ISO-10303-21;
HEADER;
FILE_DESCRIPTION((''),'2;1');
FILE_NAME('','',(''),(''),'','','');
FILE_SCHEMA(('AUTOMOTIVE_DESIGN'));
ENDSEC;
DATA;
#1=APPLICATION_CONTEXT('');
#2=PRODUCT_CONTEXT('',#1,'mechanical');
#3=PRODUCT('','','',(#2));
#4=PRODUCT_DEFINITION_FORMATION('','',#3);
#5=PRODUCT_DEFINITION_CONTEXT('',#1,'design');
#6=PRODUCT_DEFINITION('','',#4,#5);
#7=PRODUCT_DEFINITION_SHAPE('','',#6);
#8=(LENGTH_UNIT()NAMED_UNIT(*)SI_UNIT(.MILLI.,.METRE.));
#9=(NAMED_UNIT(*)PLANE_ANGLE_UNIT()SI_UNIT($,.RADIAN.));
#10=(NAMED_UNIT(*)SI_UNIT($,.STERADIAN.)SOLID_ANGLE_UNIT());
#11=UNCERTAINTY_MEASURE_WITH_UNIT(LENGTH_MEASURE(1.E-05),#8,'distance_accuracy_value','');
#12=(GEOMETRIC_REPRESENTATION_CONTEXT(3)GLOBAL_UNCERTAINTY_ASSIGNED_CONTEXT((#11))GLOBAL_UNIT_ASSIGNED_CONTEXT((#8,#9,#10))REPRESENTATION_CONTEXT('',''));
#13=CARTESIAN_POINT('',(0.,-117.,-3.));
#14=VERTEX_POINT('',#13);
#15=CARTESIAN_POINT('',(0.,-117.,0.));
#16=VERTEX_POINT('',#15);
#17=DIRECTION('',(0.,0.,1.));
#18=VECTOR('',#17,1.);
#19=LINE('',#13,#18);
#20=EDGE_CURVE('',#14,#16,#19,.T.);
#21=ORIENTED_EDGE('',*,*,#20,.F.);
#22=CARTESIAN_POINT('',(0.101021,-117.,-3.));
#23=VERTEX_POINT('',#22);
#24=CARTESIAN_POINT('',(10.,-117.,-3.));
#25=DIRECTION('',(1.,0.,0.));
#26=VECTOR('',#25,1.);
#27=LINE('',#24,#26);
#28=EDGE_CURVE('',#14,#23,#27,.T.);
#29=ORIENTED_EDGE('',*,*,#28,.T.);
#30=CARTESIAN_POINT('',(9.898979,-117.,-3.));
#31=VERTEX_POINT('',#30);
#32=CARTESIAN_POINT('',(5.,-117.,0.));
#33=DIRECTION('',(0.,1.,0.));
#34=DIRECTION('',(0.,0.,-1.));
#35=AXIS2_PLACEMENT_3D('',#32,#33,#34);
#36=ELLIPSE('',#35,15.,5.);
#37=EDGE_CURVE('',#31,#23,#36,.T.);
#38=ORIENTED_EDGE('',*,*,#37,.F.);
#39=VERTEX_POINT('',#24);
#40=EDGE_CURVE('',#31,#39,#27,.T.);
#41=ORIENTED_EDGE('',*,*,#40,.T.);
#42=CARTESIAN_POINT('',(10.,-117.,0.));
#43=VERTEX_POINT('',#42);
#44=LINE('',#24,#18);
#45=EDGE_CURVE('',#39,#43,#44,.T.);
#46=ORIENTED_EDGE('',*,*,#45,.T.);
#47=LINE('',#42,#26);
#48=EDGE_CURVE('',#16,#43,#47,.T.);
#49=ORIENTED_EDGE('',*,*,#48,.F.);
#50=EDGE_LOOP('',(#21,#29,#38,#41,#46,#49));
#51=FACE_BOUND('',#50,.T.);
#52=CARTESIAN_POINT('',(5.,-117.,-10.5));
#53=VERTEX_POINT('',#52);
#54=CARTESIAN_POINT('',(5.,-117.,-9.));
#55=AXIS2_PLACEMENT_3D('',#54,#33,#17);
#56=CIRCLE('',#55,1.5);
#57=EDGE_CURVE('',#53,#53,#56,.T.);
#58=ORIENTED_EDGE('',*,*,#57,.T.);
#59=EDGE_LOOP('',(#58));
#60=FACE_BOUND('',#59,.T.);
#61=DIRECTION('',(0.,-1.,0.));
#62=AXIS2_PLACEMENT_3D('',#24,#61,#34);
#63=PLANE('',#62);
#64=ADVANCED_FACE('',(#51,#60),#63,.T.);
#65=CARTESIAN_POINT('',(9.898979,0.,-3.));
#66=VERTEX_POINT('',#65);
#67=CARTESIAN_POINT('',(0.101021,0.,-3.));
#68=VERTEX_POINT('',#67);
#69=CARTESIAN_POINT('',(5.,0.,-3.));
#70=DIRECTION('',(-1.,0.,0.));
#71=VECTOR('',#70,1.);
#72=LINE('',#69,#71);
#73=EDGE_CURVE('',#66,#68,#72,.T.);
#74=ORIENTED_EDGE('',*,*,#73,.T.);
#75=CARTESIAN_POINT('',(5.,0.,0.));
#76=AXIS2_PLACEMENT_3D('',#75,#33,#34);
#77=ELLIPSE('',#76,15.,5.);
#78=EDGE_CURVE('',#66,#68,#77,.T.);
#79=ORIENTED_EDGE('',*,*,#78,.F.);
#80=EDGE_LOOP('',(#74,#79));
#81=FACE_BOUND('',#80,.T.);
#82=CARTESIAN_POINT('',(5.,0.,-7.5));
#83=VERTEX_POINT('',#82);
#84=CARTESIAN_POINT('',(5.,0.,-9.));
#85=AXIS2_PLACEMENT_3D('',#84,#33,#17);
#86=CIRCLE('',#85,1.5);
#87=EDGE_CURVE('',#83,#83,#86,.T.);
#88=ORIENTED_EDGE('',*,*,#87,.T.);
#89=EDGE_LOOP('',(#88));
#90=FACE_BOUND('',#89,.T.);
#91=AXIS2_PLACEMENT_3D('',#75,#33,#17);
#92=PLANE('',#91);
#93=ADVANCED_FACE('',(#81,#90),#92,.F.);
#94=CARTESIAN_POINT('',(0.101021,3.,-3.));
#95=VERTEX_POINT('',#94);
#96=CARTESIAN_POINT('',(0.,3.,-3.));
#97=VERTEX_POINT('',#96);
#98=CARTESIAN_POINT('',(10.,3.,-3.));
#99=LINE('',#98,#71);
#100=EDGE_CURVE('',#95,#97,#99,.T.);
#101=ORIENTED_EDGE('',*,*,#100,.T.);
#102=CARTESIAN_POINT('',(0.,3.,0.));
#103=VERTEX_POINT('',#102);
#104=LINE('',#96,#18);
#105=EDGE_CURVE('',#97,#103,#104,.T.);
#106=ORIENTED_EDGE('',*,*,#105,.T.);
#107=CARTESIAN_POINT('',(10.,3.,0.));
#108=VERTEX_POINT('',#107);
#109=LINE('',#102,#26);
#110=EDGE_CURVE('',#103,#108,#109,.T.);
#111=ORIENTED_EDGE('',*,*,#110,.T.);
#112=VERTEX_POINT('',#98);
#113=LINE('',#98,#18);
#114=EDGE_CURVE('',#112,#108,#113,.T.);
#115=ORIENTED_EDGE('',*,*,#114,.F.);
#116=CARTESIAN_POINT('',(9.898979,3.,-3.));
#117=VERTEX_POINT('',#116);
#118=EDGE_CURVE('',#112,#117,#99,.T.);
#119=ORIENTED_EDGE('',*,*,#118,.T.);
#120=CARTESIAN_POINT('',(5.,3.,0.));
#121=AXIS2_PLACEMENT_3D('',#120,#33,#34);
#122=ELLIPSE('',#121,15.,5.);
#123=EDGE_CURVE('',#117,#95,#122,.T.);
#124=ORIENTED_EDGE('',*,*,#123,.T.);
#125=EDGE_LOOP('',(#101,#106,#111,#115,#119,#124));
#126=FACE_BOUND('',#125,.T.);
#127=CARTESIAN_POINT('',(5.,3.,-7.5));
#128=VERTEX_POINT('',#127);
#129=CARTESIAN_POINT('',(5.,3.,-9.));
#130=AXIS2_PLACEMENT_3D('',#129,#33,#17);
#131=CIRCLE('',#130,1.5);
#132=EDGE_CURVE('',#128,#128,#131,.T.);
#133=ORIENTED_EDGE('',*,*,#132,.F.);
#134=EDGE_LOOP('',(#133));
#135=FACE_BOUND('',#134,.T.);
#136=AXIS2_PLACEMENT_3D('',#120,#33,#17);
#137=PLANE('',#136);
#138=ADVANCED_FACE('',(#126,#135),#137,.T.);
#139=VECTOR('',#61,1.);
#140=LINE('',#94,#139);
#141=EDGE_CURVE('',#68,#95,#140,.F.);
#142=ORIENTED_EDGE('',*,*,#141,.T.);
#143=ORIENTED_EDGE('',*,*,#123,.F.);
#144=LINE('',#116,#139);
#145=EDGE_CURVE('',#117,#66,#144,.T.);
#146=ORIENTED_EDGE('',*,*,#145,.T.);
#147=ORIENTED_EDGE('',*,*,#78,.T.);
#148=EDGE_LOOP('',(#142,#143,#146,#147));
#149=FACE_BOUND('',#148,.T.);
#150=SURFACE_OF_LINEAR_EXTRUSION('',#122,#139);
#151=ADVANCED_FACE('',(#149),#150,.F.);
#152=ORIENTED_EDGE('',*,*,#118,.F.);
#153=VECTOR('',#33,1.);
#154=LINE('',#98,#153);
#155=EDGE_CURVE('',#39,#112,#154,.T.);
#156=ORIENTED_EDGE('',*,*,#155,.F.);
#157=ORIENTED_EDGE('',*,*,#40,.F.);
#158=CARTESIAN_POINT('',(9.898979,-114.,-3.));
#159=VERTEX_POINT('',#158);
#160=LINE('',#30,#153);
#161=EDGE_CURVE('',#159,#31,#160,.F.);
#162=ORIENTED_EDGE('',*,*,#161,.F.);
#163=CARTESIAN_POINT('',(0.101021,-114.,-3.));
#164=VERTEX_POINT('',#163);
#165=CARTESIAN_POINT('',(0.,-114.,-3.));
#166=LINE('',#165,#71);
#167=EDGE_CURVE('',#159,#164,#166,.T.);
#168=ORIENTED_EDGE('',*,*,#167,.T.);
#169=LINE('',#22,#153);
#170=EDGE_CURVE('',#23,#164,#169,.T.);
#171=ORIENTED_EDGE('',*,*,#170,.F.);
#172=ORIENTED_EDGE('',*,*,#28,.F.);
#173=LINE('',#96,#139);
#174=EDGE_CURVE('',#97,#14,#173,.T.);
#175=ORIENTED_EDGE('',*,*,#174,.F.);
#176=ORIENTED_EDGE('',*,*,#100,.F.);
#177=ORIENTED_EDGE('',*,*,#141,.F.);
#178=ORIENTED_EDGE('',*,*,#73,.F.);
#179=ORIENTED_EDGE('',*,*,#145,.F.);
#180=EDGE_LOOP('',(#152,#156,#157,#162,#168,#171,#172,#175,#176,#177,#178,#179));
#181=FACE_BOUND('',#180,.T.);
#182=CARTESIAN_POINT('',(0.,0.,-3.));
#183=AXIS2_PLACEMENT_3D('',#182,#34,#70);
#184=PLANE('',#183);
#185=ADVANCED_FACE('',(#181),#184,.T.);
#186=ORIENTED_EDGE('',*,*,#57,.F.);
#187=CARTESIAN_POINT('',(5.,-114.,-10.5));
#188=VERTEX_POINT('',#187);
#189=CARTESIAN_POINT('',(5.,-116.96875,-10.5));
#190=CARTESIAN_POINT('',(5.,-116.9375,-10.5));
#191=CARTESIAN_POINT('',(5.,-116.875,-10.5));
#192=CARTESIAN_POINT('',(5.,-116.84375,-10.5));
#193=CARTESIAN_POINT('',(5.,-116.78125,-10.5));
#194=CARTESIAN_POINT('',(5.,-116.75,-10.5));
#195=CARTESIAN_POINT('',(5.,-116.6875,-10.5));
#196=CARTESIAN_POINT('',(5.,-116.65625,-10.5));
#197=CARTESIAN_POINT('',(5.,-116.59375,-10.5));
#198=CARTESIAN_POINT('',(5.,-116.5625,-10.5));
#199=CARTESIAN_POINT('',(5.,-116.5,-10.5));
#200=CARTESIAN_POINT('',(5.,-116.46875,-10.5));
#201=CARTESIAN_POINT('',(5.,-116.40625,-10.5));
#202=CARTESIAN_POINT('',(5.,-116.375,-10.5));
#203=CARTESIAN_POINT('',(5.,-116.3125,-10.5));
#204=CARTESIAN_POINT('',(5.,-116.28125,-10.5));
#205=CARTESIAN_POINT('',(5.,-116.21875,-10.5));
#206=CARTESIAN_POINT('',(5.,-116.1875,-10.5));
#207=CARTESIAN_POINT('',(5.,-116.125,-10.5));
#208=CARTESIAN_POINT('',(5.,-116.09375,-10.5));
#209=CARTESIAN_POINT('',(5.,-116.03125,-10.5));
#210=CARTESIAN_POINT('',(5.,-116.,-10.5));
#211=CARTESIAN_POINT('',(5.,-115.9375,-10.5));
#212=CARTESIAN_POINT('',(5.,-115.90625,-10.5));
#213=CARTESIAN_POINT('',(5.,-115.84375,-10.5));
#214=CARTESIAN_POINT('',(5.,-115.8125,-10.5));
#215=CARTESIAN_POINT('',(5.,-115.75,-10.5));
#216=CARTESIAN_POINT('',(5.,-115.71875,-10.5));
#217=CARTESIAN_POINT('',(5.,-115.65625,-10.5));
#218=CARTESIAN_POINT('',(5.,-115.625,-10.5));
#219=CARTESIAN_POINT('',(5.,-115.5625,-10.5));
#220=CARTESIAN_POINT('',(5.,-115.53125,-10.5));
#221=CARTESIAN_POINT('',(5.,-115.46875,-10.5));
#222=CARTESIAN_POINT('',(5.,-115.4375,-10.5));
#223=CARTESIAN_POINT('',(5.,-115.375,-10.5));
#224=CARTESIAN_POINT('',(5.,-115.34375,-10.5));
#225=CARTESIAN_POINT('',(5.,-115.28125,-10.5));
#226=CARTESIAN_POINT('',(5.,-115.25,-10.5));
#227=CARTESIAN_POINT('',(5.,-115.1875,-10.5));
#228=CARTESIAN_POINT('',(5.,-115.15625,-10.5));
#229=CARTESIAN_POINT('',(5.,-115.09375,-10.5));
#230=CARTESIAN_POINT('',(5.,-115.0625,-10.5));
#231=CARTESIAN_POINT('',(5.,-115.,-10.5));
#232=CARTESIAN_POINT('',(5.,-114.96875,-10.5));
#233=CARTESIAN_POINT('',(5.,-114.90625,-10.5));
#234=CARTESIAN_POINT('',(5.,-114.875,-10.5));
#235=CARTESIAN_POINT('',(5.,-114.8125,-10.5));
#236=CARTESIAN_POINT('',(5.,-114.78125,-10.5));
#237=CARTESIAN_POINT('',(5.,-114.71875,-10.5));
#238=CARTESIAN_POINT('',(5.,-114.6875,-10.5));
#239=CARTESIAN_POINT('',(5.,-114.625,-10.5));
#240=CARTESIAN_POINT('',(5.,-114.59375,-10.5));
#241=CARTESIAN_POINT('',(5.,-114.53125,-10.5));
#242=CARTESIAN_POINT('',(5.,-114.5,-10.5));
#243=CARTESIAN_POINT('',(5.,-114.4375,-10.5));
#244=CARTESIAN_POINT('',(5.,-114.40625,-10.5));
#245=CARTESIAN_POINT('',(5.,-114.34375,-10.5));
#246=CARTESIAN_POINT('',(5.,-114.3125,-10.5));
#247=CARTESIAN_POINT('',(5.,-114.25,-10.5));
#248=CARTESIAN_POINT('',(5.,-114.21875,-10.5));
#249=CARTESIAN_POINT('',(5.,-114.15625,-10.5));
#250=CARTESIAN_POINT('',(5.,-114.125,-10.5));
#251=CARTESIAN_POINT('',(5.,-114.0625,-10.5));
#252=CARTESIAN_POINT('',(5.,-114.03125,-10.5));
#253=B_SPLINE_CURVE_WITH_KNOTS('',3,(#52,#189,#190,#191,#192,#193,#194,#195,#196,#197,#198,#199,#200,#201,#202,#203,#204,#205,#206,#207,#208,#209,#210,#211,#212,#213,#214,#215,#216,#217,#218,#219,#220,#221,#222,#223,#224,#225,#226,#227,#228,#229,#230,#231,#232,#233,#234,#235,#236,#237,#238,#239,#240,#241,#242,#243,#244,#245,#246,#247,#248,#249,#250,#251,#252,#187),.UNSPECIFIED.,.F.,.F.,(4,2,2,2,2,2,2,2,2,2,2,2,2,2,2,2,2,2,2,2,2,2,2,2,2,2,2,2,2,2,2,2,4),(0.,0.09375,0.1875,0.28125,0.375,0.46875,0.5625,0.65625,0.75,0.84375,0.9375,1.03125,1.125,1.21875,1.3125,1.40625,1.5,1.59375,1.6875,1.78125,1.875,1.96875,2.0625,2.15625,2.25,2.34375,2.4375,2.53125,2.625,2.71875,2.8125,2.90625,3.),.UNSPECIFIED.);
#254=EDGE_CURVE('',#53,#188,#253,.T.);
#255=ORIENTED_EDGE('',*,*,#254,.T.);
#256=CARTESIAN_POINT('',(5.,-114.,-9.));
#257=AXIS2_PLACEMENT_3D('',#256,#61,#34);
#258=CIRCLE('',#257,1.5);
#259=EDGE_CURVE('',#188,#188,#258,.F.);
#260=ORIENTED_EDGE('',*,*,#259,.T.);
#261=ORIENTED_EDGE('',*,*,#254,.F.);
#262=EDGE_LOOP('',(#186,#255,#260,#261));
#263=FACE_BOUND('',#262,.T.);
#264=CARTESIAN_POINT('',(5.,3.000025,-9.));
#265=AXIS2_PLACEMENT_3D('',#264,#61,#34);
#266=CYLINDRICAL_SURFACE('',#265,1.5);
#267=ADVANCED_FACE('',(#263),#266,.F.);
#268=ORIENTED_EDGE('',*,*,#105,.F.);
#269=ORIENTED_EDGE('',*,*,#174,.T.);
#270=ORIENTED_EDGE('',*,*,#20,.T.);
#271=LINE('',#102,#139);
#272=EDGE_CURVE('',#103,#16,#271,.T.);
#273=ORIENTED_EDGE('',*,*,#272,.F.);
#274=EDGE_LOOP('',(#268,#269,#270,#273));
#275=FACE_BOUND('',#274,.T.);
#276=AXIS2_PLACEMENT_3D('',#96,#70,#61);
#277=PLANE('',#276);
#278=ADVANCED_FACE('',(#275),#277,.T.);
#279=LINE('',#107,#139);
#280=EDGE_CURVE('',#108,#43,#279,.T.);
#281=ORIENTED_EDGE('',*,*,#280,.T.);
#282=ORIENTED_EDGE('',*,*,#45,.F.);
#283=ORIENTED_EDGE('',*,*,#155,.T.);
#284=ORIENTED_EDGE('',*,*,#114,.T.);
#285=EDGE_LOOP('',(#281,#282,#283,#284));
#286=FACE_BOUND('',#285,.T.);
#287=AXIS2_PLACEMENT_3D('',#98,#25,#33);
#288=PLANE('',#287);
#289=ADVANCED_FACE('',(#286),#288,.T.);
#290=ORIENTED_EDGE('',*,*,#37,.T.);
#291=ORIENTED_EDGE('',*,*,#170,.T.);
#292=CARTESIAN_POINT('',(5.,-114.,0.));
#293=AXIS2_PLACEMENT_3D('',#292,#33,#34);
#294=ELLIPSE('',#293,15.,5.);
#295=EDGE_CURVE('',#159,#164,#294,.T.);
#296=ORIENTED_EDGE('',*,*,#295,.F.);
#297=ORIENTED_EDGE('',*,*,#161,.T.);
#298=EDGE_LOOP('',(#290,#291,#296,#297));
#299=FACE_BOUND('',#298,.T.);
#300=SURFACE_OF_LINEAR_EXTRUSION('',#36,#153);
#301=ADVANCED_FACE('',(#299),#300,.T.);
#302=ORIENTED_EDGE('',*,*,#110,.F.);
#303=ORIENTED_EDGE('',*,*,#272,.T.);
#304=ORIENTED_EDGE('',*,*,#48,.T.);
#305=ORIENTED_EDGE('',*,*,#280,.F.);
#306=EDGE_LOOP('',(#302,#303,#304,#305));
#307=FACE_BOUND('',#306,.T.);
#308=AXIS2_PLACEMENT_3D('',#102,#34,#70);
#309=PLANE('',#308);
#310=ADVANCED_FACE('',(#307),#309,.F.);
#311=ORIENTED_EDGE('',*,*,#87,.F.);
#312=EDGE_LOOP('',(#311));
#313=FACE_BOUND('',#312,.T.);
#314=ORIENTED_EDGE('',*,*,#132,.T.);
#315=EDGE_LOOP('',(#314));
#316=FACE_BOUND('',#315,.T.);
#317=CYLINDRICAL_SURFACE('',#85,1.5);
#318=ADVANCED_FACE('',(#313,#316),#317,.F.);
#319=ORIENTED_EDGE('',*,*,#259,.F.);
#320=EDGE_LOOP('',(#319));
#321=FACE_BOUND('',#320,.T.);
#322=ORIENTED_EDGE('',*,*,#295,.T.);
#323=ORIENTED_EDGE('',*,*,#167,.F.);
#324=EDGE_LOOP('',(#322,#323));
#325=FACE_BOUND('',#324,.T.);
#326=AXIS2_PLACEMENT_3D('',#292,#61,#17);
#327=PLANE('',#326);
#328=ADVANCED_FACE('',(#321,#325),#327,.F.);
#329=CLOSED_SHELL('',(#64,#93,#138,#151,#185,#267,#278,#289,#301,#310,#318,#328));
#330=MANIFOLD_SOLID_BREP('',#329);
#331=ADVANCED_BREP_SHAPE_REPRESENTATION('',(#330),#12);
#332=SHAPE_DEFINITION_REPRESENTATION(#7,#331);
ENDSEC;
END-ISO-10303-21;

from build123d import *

# Parameters (mm, degrees)
BOSS_EXTRUDE1_DEPTH = 3
SKETCH2_R           = 1.5
CUT_EXTRUDE1_DEPTH  = 19.275667036
SKETCH3_W           = 10
SKETCH3_H           = 120
BOSS_EXTRUDE2_DEPTH = 3


with BuildPart() as part:
    # Sketch1 → Boss-Extrude1 (new body)
    with BuildSketch(Plane(origin=(0, 0, 0), x_dir=(1, 0, 0), z_dir=(0, 1, 0))):
        with BuildLine():
            Line((0, 0), (10, 0))
            add(Edge.make_bspline(
                [(10, 0), (10, 15), (5, 15), (0, 15), (0, 0)],
                knots=[4.71238898, 4.71238898, 4.71238898, 6.283185307, 6.283185307, 7.853981634, 7.853981634, 7.853981634], degree=2, weights=[1, 0.707106781, 1, 0.707106781, 1]))
        make_face()
    boss_extrude1 = extrude(amount=BOSS_EXTRUDE1_DEPTH)

    # Sketch2 → Cut-Extrude1 (cut, through all)
    with BuildSketch(Plane(origin=(0, 3, 0), x_dir=(1, 0, 0), z_dir=(0, 1, 0))):
        with Locations(Location((5, 9, 0), (0, 0, 270))):
            Circle(SKETCH2_R)
    cut_extrude1 = extrude(amount=-CUT_EXTRUDE1_DEPTH, mode=Mode.SUBTRACT)

    # Sketch3 → Boss-Extrude2 (add)
    with BuildSketch(Plane.XY):
        with Locations((5, -57)):
            Rectangle(SKETCH3_W, SKETCH3_H)
    extrude(amount=-BOSS_EXTRUDE2_DEPTH)

    # Mirror1: Boss-Extrude1, Cut-Extrude1 across plane
    add(boss_extrude1.mirror(Plane.ZX.offset(-57)))
    add(cut_extrude1.mirror(Plane.ZX.offset(-57)), mode=Mode.SUBTRACT)


solid = part.part
